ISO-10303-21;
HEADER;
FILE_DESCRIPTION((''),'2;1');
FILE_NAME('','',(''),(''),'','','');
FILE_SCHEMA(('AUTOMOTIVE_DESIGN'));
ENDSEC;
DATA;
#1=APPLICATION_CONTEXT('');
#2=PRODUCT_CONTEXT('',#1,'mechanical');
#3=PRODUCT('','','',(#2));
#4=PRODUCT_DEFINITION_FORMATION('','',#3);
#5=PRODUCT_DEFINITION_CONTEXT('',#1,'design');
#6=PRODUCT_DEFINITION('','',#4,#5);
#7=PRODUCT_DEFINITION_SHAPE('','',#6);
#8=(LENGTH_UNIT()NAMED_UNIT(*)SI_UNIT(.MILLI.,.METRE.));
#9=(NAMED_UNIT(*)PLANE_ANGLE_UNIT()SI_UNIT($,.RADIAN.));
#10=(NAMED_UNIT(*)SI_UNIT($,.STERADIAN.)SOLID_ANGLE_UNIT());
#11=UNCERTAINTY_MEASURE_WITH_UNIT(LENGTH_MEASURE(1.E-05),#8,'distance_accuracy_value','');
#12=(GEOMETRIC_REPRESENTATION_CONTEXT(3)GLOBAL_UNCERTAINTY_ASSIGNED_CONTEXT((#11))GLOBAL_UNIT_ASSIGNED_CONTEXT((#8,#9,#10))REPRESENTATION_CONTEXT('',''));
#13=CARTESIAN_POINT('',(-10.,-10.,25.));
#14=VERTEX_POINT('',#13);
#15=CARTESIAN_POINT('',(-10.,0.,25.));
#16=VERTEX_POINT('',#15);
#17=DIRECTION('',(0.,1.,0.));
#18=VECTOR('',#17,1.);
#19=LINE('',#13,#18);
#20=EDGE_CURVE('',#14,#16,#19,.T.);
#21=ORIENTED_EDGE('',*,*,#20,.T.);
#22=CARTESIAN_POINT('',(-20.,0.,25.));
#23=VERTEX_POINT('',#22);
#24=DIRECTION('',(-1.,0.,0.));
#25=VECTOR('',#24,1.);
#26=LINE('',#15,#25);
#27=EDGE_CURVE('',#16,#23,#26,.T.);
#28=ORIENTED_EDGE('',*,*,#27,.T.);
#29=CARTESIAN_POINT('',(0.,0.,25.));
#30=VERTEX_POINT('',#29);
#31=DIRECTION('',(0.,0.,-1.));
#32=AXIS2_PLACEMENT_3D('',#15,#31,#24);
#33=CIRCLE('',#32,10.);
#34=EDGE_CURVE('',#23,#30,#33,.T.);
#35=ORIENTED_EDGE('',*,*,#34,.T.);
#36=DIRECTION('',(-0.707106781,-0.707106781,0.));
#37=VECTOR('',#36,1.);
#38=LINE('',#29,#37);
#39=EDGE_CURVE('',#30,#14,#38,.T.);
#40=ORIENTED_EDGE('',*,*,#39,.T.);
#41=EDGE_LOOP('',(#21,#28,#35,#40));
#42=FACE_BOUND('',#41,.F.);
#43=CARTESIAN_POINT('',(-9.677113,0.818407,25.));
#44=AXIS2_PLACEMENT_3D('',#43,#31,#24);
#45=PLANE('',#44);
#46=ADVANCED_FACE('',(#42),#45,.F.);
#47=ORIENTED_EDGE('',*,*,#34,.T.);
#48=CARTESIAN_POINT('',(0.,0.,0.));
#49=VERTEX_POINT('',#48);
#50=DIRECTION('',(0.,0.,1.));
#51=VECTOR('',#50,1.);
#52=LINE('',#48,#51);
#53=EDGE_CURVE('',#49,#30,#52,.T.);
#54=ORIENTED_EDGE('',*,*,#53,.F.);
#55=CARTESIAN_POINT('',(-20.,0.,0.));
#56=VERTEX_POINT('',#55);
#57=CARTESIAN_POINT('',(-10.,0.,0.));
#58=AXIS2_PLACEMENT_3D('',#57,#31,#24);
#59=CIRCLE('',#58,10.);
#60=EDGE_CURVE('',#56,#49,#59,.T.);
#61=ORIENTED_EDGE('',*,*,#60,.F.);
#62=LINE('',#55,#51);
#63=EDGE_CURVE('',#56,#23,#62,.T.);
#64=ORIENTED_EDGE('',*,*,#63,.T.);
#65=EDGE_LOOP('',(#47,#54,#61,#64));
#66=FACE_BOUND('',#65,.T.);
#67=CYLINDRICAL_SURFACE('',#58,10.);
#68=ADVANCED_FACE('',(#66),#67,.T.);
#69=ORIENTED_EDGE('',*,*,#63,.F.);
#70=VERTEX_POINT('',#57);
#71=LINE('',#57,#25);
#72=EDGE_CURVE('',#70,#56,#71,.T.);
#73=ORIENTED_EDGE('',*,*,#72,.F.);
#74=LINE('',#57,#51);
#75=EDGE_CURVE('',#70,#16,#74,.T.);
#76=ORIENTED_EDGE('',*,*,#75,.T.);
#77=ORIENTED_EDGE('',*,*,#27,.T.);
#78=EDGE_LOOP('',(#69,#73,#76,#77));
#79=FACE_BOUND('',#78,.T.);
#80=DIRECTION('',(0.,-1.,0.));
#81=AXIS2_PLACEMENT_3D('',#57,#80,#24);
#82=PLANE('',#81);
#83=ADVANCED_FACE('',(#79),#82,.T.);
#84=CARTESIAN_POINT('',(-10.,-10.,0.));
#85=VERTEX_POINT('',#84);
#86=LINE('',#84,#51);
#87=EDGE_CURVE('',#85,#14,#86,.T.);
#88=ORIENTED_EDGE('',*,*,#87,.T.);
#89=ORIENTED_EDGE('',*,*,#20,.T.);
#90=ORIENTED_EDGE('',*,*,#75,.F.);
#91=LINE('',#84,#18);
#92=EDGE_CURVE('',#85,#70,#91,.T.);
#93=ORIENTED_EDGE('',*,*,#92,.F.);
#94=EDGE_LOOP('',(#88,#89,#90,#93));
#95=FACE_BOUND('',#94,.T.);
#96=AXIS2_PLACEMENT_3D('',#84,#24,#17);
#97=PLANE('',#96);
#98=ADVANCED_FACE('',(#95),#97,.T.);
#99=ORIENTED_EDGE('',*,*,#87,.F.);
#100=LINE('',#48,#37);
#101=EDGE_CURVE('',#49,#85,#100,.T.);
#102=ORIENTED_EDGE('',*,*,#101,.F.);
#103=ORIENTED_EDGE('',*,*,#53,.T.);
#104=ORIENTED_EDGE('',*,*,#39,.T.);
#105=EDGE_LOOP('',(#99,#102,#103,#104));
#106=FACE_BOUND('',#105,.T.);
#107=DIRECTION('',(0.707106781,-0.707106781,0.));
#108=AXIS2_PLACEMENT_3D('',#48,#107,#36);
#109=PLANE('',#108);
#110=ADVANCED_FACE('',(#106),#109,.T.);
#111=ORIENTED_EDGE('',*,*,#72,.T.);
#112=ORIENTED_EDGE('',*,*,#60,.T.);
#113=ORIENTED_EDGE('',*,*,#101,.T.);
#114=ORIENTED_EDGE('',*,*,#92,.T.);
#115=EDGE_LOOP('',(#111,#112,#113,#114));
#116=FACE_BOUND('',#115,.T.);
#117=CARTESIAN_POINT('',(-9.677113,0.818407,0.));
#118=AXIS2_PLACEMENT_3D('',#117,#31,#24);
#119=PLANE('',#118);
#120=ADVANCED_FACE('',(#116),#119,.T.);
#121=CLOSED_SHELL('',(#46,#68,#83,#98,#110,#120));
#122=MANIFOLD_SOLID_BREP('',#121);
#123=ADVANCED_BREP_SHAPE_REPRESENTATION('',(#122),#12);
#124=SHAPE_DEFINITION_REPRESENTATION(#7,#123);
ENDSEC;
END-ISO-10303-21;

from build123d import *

# Parameters (mm, degrees)
BOSS_EXTRUDE1_DEPTH = 25


with BuildPart() as part:
    # Sketch1 → Boss-Extrude1 (new body)
    with BuildSketch(Plane.XY):
        with BuildLine():
            Line((-10, -10), (-10, 0))
            Line((-10, 0), (-20, 0))
            ThreePointArc((-20, 0), (-10, 10), (0, 0))
            Line((0, 0), (-10, -10))
        make_face()
    extrude(amount=BOSS_EXTRUDE1_DEPTH)


solid = part.part
